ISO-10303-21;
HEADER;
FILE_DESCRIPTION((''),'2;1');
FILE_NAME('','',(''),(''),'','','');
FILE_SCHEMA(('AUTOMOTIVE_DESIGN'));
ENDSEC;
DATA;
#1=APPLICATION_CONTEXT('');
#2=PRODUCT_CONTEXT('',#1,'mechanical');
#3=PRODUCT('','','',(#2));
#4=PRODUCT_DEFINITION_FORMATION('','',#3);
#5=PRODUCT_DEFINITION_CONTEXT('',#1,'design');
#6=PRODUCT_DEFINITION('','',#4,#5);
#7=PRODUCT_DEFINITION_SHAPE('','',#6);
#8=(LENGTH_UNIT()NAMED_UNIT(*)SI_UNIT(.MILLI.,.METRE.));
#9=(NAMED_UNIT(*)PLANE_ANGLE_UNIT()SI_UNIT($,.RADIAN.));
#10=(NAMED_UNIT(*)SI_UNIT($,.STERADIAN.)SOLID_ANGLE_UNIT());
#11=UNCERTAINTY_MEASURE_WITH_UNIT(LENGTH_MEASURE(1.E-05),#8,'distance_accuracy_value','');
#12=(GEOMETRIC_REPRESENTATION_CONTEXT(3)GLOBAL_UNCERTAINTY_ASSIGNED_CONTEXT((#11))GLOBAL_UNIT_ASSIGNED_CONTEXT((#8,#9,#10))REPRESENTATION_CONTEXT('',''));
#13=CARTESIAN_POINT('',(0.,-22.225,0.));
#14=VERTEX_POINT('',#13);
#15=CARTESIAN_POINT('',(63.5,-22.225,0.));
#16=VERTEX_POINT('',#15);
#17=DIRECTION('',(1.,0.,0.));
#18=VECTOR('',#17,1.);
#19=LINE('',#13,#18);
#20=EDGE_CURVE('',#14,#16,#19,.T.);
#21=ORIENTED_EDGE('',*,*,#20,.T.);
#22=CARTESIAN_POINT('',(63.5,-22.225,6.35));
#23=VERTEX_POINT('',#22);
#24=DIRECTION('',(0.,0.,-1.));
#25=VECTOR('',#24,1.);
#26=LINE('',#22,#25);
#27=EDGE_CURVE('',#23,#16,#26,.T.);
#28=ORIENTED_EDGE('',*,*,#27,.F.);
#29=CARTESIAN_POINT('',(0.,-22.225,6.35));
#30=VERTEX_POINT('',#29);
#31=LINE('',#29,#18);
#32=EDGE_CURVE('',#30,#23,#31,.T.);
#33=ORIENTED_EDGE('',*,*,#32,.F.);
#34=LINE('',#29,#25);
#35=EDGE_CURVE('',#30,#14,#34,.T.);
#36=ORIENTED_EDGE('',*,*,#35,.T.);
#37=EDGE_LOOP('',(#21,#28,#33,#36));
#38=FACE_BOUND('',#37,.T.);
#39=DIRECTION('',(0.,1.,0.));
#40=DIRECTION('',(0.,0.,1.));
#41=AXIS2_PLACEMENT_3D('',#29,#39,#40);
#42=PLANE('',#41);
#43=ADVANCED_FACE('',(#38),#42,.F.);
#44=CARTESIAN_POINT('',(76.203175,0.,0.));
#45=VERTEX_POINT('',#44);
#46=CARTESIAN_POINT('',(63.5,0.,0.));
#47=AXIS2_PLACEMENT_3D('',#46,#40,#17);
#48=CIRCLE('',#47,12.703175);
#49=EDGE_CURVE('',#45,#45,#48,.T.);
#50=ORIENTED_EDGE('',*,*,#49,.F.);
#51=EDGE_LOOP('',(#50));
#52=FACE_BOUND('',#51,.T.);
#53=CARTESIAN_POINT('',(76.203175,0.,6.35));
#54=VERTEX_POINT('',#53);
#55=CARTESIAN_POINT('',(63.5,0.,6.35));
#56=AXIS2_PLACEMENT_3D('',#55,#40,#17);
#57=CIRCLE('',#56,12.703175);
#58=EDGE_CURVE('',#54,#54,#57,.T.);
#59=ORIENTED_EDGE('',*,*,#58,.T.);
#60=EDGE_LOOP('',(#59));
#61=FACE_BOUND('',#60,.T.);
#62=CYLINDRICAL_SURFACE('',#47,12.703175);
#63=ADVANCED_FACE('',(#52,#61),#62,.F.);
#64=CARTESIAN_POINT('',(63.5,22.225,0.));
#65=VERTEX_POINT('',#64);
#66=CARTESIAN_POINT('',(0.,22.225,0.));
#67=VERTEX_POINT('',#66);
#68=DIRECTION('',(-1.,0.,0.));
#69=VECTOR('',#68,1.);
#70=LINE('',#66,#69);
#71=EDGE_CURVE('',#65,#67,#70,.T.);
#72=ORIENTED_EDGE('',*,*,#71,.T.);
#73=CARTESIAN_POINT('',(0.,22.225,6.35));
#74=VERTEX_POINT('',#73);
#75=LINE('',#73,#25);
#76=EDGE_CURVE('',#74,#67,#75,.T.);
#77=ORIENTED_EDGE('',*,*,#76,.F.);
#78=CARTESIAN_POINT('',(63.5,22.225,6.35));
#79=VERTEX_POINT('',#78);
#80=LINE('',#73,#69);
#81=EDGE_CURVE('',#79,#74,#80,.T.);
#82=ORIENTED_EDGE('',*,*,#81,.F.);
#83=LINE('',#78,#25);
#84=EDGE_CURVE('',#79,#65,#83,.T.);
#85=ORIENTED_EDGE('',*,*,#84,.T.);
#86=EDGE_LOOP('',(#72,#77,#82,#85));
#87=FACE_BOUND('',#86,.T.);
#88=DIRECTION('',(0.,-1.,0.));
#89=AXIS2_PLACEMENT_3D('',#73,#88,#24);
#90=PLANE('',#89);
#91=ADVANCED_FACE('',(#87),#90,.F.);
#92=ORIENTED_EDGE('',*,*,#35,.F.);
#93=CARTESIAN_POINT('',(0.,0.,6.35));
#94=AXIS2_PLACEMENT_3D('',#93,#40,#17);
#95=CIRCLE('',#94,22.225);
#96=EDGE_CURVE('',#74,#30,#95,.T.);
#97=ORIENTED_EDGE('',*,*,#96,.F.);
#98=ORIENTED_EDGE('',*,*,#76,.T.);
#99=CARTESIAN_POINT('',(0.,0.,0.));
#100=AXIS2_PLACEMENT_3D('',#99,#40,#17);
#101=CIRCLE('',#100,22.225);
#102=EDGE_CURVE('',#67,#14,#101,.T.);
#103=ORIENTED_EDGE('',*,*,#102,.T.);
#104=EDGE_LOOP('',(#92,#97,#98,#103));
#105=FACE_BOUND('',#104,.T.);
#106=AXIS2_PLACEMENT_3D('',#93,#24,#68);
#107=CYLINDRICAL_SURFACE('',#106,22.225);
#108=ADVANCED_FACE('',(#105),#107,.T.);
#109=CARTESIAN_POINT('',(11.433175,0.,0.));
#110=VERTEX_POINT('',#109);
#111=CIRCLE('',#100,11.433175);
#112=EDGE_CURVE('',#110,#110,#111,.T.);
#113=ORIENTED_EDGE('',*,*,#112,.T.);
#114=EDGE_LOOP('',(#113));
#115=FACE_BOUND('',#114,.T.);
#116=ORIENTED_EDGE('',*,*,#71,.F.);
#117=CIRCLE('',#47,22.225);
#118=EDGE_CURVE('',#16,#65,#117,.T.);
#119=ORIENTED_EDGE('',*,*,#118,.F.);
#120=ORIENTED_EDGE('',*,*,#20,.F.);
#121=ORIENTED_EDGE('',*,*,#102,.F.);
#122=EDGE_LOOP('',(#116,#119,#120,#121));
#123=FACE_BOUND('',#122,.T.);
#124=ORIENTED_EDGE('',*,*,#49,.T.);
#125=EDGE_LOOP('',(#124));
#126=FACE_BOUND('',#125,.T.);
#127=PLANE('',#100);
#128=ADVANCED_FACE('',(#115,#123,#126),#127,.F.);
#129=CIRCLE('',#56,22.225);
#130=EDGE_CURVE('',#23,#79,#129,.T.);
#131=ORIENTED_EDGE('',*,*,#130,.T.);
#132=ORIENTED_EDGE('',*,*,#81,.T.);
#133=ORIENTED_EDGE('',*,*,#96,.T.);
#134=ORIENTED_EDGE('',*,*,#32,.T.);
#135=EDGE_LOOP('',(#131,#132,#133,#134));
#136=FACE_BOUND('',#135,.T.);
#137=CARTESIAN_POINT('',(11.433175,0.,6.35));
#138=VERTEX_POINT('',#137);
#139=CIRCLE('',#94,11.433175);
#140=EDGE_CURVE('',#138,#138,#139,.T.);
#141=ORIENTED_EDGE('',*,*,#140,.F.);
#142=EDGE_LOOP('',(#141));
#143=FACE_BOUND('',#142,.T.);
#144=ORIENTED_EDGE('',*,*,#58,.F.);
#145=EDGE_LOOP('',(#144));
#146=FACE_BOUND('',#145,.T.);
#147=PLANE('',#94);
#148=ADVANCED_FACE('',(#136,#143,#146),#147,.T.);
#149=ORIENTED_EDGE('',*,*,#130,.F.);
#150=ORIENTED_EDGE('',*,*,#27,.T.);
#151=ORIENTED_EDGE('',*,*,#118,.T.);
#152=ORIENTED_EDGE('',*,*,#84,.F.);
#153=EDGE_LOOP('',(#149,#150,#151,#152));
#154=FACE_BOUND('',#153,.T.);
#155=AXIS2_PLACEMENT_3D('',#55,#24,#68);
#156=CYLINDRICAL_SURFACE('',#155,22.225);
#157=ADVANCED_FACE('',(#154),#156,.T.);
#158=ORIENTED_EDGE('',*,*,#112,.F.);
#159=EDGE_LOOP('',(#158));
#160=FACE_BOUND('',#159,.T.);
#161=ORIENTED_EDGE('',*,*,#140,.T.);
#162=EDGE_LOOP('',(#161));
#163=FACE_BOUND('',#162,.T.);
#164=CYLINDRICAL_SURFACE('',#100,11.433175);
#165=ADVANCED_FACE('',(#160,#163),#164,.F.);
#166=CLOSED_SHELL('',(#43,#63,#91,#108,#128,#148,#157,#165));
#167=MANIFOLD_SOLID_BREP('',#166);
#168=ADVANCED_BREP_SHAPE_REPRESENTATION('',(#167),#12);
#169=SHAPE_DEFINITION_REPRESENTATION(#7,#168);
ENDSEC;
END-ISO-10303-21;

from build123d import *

# Parameters (mm, degrees)
LINK_BODY_DEPTH    = 6.35
SKETCH2_R          = 11.433175
SKETCH2_R_2        = 12.703175
CUT_EXTRUDE1_DEPTH = 89.786534734


with BuildPart() as part:
    # Sketch1 → Link-Body (new body)
    with BuildSketch(Plane.XY):
        with BuildLine():
            Line((0, 22.225), (63.5, 22.225))
            ThreePointArc((63.5, 22.225), (85.725, 0), (63.5, -22.225))
            Line((63.5, -22.225), (0, -22.225))
            ThreePointArc((0, -22.225), (-22.225, 0), (0, 22.225))
        make_face()
    extrude(amount=LINK_BODY_DEPTH)

    # Sketch2 → Cut-Extrude1 (cut, through all)
    with BuildSketch(Plane.XY.offset(6.35)):
        Circle(SKETCH2_R)
        with Locations((63.5, 0)):
            Circle(SKETCH2_R_2)
    extrude(amount=-CUT_EXTRUDE1_DEPTH, mode=Mode.SUBTRACT)


solid = part.part
